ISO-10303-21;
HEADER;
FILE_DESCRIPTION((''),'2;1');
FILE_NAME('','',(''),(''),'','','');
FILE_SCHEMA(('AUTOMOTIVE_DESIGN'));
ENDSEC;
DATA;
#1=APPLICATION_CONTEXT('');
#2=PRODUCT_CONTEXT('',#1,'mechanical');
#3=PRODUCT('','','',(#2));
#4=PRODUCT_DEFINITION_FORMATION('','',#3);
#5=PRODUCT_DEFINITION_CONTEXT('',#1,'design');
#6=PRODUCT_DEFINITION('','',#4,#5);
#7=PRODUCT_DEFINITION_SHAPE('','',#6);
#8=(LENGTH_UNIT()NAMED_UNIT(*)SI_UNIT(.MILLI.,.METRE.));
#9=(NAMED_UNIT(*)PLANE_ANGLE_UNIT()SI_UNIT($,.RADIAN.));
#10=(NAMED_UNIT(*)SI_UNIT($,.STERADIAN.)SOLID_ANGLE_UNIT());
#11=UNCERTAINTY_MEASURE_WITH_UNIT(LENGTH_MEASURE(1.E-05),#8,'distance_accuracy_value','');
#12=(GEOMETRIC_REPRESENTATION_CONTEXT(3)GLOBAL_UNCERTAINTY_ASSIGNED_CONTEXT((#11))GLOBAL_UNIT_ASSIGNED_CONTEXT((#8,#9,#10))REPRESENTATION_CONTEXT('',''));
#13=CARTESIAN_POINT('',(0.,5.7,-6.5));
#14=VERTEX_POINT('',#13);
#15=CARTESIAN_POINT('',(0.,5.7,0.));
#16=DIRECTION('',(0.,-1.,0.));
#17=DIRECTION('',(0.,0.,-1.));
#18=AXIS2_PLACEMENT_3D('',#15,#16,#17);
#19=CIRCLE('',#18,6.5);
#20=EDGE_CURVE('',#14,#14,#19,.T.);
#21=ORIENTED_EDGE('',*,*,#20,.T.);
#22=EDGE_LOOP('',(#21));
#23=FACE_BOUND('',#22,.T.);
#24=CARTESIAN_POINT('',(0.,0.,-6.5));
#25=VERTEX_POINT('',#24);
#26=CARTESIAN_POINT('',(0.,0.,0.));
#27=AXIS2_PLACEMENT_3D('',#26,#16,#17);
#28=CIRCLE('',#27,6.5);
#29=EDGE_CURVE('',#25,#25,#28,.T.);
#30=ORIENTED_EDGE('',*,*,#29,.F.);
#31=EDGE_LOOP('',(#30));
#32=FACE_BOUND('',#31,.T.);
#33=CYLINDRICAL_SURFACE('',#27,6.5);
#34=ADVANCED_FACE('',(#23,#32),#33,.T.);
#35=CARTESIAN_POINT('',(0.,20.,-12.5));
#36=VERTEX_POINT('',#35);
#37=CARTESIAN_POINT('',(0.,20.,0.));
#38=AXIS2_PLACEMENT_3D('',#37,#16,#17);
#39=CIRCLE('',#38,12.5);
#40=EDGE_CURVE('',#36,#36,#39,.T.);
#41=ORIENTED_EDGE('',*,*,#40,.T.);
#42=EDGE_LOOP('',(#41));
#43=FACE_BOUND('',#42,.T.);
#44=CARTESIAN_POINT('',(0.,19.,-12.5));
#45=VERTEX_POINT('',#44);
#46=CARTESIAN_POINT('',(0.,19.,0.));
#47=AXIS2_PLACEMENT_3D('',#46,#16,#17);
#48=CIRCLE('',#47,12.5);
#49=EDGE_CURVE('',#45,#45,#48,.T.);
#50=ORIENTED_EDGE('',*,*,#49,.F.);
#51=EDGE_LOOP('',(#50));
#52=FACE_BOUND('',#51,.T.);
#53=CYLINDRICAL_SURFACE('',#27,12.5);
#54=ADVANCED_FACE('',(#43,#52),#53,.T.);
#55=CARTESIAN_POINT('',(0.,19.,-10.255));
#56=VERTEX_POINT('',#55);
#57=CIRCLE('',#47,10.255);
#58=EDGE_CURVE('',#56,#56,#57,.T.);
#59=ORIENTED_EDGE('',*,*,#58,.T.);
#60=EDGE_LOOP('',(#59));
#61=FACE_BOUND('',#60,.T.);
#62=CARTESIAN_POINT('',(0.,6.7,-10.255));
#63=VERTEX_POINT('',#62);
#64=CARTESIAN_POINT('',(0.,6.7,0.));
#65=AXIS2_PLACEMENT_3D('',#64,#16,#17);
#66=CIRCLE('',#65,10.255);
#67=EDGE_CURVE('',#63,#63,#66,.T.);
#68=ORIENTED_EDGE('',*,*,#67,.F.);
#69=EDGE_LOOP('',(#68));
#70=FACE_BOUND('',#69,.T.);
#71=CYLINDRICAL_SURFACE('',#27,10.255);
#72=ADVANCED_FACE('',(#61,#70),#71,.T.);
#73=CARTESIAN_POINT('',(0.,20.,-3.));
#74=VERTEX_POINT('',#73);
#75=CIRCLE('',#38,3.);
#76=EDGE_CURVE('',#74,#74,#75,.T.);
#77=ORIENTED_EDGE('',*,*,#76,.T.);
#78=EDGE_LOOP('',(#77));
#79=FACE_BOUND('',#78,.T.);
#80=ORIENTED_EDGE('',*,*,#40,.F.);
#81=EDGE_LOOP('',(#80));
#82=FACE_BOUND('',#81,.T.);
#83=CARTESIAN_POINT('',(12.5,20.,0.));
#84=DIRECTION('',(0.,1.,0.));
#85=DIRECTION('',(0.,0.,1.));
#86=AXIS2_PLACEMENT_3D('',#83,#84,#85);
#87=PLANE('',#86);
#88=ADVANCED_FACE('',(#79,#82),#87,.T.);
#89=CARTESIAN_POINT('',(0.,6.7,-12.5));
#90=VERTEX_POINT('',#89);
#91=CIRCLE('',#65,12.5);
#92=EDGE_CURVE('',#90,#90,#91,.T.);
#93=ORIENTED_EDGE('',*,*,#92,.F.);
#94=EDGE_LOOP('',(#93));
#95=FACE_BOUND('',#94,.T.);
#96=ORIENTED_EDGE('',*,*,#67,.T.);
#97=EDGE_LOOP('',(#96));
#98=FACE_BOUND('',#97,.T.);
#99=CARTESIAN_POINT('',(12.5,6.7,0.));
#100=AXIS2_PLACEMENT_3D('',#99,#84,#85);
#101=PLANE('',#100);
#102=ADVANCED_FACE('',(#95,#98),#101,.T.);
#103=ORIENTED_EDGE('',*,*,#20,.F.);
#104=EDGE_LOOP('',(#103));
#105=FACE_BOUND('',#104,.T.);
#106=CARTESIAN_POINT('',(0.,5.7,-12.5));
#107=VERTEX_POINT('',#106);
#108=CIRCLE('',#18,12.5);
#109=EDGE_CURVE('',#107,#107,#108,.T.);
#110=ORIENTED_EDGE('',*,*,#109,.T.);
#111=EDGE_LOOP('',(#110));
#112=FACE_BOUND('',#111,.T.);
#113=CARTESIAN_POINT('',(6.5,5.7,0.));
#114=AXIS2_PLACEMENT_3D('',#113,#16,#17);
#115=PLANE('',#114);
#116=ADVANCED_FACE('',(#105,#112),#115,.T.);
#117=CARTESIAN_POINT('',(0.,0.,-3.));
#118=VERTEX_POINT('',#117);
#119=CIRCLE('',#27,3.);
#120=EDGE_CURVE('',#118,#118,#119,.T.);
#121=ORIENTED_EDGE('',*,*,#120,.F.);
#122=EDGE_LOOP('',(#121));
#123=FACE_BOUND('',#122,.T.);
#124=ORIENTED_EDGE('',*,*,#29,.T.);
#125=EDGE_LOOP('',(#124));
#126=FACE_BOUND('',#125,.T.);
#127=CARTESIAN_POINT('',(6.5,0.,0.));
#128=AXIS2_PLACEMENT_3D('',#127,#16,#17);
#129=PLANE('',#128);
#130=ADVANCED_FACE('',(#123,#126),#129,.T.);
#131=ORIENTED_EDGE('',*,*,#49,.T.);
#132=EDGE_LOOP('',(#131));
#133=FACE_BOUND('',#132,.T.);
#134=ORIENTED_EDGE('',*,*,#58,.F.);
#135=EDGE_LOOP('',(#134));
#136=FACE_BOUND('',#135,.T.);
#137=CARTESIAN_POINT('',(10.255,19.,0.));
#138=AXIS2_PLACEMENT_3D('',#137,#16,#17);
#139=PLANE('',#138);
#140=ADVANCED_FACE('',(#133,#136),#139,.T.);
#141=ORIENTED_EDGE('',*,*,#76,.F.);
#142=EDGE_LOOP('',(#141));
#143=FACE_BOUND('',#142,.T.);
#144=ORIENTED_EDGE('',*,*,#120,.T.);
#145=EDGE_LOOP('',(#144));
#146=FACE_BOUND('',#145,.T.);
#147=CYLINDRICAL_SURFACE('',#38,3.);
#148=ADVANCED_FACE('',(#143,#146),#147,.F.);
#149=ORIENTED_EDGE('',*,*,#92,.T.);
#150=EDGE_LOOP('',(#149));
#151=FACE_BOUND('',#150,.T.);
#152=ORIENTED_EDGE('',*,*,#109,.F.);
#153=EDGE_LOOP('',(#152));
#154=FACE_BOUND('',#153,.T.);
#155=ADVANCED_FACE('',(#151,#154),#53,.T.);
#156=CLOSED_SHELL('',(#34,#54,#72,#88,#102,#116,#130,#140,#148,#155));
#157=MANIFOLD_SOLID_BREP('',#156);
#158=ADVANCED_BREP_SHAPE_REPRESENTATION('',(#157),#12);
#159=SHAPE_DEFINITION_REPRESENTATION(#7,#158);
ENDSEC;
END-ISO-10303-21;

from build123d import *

# Parameters (mm, degrees)
SKETCH3_R          = 3
CUT_EXTRUDE1_DEPTH = 21


with BuildPart() as part:
    # Sketch2 → Revolve1 (revolve)
    with BuildSketch(Plane.XY, mode=Mode.PRIVATE) as revolve1_sk:
        Polygon((6.5, 0), (0, 0), (0, 20), (12.5, 20), (12.5, 19), (10.255, 19), (10.255, 6.7), (12.5, 6.7), (12.5, 5.7), (6.5, 5.7), align=None)
    revolve(revolve1_sk.sketch.rotate(Axis((0, 0, 0), (0, 1, 0)), 90), axis=Axis((0, 0, 0), (0, 1, 0)))  # turned: the seam where the file's is

    # Sketch3 → Cut-Extrude1 (cut, through all)
    with BuildSketch(Plane.XZ):
        with Locations(Location((0, 0, 0), (0, 0, 270))):  # turned: the seam where the file's is
            Circle(SKETCH3_R)
    extrude(amount=-CUT_EXTRUDE1_DEPTH, mode=Mode.SUBTRACT)


solid = part.part
